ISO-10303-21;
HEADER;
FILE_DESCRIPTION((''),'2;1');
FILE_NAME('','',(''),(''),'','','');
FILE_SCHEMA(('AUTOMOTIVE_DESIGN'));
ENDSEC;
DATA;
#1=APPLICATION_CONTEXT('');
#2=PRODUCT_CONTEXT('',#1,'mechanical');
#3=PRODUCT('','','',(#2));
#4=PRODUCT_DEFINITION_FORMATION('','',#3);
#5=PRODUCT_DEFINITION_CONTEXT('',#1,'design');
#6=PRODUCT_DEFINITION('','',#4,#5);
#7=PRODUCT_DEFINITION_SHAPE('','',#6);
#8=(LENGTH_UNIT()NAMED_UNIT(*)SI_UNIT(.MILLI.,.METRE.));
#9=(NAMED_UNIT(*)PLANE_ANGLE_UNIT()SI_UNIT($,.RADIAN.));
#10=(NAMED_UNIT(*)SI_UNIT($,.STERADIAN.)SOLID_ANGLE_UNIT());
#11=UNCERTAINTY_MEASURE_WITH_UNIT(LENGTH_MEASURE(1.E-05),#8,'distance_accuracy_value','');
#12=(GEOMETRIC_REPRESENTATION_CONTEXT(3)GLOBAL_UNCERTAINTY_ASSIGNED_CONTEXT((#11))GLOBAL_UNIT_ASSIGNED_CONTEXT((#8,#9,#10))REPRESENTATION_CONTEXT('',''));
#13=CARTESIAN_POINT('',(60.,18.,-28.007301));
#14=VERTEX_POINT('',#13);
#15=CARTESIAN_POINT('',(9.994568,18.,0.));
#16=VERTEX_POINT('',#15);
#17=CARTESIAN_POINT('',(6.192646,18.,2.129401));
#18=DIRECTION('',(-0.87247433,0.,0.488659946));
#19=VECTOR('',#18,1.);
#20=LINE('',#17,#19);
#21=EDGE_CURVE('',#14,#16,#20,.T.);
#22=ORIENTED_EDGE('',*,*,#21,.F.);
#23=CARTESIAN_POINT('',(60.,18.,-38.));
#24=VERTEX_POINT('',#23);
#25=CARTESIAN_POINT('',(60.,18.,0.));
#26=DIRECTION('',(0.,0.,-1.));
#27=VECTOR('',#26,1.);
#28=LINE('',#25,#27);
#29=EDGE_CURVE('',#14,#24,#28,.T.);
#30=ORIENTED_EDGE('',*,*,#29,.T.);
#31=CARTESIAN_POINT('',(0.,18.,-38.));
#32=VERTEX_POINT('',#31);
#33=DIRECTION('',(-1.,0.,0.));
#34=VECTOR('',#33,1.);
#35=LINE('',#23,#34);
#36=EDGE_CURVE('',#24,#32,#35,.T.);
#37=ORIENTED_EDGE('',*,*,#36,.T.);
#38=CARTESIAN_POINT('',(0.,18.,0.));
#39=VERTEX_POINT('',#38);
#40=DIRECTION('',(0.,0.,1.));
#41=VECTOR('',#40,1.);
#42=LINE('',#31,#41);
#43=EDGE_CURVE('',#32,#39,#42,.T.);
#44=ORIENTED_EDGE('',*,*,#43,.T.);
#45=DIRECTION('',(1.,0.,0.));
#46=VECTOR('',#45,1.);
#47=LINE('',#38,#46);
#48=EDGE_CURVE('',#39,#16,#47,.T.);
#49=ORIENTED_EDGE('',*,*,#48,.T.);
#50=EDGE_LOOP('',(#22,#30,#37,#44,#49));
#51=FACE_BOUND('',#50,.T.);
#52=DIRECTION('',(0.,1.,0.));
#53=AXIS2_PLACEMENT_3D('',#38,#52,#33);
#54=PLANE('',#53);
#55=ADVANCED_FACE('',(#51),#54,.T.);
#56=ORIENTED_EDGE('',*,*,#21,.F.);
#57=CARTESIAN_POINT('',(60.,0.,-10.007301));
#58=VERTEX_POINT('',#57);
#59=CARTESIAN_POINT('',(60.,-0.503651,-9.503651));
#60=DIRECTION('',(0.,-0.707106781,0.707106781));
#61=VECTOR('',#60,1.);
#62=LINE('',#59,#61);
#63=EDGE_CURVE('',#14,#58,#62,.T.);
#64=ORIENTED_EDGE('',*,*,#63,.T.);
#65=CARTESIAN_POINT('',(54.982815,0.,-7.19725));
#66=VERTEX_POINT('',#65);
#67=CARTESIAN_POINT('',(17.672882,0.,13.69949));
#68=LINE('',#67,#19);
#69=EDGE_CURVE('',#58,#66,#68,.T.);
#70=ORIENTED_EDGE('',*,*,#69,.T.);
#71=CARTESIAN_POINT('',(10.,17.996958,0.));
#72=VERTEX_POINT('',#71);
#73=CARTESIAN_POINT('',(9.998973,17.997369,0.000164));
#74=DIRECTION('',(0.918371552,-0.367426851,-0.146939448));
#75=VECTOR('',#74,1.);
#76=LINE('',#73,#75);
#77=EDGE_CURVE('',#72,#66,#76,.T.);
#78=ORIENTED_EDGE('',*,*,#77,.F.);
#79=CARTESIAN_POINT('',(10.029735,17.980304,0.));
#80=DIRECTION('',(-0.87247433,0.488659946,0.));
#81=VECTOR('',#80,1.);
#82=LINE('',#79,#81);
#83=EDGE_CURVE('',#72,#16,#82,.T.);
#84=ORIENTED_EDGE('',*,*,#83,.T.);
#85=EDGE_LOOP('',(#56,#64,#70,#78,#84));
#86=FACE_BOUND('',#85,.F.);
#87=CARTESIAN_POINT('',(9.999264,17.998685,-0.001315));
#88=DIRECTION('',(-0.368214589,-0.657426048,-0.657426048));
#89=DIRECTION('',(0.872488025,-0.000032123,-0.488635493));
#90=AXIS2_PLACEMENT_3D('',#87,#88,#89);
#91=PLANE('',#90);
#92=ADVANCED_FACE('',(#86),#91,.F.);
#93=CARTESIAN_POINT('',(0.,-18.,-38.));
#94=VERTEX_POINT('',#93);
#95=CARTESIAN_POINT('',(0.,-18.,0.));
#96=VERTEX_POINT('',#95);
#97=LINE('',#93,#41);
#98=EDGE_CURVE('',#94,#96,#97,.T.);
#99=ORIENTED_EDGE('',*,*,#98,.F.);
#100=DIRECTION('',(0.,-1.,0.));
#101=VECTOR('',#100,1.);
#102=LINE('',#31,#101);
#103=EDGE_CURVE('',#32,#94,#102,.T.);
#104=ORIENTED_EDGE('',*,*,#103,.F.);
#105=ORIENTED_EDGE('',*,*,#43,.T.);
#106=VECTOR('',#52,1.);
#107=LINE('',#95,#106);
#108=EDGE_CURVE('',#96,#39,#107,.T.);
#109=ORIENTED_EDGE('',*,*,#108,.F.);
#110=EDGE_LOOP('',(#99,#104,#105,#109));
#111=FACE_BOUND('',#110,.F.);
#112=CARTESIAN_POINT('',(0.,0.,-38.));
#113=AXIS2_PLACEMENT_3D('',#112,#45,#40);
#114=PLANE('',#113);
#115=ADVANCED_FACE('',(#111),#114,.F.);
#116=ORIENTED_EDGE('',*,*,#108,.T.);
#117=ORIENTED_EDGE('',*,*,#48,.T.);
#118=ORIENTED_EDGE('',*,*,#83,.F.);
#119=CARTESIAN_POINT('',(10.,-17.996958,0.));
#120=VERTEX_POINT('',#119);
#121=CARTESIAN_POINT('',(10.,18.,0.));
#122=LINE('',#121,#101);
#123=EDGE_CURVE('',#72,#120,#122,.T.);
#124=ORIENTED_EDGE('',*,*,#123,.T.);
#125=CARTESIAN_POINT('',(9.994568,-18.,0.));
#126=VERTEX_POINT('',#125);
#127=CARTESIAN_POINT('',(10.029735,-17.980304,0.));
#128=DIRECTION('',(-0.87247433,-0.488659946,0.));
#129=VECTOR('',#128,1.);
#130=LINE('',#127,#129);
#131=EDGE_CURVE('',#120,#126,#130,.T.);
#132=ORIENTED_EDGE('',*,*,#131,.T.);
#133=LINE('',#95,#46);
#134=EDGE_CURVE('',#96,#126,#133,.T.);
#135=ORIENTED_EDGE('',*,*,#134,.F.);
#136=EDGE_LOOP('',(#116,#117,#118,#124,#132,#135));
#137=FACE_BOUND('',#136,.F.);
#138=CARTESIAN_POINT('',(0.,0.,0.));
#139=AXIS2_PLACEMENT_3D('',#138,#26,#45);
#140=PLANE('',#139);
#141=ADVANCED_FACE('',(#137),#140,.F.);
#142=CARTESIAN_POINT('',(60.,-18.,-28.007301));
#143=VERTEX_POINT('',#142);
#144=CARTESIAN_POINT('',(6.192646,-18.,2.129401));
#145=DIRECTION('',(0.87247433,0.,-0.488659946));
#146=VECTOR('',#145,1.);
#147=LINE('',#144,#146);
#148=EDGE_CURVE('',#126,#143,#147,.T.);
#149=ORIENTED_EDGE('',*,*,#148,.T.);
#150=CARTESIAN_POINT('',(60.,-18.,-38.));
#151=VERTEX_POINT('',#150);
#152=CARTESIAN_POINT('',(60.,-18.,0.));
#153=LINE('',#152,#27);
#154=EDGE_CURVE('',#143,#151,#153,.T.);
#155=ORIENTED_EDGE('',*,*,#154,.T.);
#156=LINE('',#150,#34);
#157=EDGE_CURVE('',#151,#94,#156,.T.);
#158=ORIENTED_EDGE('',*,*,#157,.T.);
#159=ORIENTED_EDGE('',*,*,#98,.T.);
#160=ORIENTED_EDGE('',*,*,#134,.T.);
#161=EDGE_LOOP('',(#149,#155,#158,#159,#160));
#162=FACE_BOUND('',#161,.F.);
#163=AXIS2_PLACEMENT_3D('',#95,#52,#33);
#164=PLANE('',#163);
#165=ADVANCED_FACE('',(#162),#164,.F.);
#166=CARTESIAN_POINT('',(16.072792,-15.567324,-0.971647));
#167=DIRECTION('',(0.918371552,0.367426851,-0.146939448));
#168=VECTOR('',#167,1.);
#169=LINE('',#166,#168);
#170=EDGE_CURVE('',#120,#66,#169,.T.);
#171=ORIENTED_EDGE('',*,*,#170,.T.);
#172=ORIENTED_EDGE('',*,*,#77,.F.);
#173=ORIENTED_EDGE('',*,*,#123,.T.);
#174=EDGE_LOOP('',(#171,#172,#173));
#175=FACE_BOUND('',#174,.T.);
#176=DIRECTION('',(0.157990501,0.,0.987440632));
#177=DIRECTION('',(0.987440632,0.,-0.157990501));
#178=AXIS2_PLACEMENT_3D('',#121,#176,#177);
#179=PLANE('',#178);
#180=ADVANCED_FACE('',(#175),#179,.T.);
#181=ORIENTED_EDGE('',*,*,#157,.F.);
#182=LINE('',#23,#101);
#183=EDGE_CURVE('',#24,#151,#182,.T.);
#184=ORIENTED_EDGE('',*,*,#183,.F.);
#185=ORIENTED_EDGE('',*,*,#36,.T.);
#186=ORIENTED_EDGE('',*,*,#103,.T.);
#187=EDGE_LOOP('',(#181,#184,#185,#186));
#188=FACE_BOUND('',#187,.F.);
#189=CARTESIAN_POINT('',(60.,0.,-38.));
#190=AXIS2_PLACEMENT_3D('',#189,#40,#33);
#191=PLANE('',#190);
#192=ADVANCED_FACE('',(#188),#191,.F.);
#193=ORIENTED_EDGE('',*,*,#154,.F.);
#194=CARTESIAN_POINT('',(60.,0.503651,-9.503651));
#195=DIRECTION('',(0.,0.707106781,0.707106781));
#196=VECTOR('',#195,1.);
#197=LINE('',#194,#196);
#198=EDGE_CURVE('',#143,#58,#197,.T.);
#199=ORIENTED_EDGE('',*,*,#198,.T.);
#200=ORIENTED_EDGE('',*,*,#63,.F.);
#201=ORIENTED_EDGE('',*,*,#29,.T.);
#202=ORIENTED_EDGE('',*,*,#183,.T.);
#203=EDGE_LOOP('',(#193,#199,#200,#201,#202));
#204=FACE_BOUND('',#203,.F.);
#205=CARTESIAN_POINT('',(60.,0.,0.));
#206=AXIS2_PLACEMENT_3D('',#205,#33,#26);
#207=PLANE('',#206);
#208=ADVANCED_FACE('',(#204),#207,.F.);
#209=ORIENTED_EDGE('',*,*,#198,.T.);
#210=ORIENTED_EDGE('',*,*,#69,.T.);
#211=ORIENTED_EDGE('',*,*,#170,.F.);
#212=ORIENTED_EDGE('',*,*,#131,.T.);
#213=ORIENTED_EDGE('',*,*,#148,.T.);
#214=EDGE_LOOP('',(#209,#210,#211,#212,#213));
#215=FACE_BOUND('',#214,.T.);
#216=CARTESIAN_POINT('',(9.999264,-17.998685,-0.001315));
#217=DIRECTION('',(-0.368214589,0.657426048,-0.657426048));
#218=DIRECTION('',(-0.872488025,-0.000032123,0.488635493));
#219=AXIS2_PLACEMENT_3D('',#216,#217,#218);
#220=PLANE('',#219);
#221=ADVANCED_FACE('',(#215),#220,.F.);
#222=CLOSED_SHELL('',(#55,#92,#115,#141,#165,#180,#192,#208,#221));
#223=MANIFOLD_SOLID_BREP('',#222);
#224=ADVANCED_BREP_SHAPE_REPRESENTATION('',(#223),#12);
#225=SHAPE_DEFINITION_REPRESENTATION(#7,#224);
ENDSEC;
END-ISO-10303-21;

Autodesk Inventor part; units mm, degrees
ref_plane "YZ Plane" through (0, 0, 0) normal (1, 0, 0) x (0, 1, 0)
ref_plane "XZ Plane" through (0, 0, 0) normal (0, 1, 0) x (-1, 0, 0)
sketch "草圖1" plane through (0, 0, 0) normal (0, 1, 0) x (-1, 0, 0)
  line L0 (0, 0) -> (-60, 0)
  line L1 (-60, 0) -> (-60, -38)
  line L2 (-60, -38) -> (0, -38)
  line L3 (0, -38) -> (0, 0)
  dimension "d0" = 60
  dimension "d1" = 38
extrude "擠出1" add sketch "草圖1" along normal mid plane 36
sketch "草圖2" plane through (0, 18, 0) normal (0, 1, 0) x (1, 0, 0)
  line L0 (0, 0) -> (60, 0) projected
  line L1 (10, 0) -> (60, 8)
  line L2 (60, 0) -> (60, 38) projected
  dimension "d4" = 10
  dimension "d5" = 30
extrude "擠出2" cut sketch "草圖2" against normal blind 40
sketch "草圖3" plane through (60, -18, -38) normal (1, 0, 0) x (0, 0, -1)
  line L0 (-30, 16) -> (-10, 36)
  line L1 (0, 36) -> (-38, 36) projected
  line L2 (-30, 36) -> (-30, 0) projected
  point P0 (-38, 18)
  dimension "d8" = 20
  dimension "d9" = 20
ref_plane "工作平面1" through (10, 18, 0) normal (-0.3682, -0.6574, -0.6574) x (0.8725, 0, -0.4886)
sketch "草圖4" plane through (10, 18, 0) normal (-0.3682, -0.6574, -0.6574) x (0.8725, 0, -0.4886)
  line L0 (-15.1543, -12.3218) -> (93.717, -12.3218)
  line L1 (93.717, -12.3218) -> (93.717, 28.8166)
  line L2 (93.717, 28.8166) -> (-15.1543, 28.8166)
  line L3 (-15.1543, 28.8166) -> (-15.1543, -12.3218)
  point P0 (-8.7251, 10.3509)
extrude "擠出3" cut sketch "草圖4" against normal blind 40
mirror "鏡射1" about plane through (0, 0, 0) normal (0, 1, 0) of "擠出3"
properties part number "8"
